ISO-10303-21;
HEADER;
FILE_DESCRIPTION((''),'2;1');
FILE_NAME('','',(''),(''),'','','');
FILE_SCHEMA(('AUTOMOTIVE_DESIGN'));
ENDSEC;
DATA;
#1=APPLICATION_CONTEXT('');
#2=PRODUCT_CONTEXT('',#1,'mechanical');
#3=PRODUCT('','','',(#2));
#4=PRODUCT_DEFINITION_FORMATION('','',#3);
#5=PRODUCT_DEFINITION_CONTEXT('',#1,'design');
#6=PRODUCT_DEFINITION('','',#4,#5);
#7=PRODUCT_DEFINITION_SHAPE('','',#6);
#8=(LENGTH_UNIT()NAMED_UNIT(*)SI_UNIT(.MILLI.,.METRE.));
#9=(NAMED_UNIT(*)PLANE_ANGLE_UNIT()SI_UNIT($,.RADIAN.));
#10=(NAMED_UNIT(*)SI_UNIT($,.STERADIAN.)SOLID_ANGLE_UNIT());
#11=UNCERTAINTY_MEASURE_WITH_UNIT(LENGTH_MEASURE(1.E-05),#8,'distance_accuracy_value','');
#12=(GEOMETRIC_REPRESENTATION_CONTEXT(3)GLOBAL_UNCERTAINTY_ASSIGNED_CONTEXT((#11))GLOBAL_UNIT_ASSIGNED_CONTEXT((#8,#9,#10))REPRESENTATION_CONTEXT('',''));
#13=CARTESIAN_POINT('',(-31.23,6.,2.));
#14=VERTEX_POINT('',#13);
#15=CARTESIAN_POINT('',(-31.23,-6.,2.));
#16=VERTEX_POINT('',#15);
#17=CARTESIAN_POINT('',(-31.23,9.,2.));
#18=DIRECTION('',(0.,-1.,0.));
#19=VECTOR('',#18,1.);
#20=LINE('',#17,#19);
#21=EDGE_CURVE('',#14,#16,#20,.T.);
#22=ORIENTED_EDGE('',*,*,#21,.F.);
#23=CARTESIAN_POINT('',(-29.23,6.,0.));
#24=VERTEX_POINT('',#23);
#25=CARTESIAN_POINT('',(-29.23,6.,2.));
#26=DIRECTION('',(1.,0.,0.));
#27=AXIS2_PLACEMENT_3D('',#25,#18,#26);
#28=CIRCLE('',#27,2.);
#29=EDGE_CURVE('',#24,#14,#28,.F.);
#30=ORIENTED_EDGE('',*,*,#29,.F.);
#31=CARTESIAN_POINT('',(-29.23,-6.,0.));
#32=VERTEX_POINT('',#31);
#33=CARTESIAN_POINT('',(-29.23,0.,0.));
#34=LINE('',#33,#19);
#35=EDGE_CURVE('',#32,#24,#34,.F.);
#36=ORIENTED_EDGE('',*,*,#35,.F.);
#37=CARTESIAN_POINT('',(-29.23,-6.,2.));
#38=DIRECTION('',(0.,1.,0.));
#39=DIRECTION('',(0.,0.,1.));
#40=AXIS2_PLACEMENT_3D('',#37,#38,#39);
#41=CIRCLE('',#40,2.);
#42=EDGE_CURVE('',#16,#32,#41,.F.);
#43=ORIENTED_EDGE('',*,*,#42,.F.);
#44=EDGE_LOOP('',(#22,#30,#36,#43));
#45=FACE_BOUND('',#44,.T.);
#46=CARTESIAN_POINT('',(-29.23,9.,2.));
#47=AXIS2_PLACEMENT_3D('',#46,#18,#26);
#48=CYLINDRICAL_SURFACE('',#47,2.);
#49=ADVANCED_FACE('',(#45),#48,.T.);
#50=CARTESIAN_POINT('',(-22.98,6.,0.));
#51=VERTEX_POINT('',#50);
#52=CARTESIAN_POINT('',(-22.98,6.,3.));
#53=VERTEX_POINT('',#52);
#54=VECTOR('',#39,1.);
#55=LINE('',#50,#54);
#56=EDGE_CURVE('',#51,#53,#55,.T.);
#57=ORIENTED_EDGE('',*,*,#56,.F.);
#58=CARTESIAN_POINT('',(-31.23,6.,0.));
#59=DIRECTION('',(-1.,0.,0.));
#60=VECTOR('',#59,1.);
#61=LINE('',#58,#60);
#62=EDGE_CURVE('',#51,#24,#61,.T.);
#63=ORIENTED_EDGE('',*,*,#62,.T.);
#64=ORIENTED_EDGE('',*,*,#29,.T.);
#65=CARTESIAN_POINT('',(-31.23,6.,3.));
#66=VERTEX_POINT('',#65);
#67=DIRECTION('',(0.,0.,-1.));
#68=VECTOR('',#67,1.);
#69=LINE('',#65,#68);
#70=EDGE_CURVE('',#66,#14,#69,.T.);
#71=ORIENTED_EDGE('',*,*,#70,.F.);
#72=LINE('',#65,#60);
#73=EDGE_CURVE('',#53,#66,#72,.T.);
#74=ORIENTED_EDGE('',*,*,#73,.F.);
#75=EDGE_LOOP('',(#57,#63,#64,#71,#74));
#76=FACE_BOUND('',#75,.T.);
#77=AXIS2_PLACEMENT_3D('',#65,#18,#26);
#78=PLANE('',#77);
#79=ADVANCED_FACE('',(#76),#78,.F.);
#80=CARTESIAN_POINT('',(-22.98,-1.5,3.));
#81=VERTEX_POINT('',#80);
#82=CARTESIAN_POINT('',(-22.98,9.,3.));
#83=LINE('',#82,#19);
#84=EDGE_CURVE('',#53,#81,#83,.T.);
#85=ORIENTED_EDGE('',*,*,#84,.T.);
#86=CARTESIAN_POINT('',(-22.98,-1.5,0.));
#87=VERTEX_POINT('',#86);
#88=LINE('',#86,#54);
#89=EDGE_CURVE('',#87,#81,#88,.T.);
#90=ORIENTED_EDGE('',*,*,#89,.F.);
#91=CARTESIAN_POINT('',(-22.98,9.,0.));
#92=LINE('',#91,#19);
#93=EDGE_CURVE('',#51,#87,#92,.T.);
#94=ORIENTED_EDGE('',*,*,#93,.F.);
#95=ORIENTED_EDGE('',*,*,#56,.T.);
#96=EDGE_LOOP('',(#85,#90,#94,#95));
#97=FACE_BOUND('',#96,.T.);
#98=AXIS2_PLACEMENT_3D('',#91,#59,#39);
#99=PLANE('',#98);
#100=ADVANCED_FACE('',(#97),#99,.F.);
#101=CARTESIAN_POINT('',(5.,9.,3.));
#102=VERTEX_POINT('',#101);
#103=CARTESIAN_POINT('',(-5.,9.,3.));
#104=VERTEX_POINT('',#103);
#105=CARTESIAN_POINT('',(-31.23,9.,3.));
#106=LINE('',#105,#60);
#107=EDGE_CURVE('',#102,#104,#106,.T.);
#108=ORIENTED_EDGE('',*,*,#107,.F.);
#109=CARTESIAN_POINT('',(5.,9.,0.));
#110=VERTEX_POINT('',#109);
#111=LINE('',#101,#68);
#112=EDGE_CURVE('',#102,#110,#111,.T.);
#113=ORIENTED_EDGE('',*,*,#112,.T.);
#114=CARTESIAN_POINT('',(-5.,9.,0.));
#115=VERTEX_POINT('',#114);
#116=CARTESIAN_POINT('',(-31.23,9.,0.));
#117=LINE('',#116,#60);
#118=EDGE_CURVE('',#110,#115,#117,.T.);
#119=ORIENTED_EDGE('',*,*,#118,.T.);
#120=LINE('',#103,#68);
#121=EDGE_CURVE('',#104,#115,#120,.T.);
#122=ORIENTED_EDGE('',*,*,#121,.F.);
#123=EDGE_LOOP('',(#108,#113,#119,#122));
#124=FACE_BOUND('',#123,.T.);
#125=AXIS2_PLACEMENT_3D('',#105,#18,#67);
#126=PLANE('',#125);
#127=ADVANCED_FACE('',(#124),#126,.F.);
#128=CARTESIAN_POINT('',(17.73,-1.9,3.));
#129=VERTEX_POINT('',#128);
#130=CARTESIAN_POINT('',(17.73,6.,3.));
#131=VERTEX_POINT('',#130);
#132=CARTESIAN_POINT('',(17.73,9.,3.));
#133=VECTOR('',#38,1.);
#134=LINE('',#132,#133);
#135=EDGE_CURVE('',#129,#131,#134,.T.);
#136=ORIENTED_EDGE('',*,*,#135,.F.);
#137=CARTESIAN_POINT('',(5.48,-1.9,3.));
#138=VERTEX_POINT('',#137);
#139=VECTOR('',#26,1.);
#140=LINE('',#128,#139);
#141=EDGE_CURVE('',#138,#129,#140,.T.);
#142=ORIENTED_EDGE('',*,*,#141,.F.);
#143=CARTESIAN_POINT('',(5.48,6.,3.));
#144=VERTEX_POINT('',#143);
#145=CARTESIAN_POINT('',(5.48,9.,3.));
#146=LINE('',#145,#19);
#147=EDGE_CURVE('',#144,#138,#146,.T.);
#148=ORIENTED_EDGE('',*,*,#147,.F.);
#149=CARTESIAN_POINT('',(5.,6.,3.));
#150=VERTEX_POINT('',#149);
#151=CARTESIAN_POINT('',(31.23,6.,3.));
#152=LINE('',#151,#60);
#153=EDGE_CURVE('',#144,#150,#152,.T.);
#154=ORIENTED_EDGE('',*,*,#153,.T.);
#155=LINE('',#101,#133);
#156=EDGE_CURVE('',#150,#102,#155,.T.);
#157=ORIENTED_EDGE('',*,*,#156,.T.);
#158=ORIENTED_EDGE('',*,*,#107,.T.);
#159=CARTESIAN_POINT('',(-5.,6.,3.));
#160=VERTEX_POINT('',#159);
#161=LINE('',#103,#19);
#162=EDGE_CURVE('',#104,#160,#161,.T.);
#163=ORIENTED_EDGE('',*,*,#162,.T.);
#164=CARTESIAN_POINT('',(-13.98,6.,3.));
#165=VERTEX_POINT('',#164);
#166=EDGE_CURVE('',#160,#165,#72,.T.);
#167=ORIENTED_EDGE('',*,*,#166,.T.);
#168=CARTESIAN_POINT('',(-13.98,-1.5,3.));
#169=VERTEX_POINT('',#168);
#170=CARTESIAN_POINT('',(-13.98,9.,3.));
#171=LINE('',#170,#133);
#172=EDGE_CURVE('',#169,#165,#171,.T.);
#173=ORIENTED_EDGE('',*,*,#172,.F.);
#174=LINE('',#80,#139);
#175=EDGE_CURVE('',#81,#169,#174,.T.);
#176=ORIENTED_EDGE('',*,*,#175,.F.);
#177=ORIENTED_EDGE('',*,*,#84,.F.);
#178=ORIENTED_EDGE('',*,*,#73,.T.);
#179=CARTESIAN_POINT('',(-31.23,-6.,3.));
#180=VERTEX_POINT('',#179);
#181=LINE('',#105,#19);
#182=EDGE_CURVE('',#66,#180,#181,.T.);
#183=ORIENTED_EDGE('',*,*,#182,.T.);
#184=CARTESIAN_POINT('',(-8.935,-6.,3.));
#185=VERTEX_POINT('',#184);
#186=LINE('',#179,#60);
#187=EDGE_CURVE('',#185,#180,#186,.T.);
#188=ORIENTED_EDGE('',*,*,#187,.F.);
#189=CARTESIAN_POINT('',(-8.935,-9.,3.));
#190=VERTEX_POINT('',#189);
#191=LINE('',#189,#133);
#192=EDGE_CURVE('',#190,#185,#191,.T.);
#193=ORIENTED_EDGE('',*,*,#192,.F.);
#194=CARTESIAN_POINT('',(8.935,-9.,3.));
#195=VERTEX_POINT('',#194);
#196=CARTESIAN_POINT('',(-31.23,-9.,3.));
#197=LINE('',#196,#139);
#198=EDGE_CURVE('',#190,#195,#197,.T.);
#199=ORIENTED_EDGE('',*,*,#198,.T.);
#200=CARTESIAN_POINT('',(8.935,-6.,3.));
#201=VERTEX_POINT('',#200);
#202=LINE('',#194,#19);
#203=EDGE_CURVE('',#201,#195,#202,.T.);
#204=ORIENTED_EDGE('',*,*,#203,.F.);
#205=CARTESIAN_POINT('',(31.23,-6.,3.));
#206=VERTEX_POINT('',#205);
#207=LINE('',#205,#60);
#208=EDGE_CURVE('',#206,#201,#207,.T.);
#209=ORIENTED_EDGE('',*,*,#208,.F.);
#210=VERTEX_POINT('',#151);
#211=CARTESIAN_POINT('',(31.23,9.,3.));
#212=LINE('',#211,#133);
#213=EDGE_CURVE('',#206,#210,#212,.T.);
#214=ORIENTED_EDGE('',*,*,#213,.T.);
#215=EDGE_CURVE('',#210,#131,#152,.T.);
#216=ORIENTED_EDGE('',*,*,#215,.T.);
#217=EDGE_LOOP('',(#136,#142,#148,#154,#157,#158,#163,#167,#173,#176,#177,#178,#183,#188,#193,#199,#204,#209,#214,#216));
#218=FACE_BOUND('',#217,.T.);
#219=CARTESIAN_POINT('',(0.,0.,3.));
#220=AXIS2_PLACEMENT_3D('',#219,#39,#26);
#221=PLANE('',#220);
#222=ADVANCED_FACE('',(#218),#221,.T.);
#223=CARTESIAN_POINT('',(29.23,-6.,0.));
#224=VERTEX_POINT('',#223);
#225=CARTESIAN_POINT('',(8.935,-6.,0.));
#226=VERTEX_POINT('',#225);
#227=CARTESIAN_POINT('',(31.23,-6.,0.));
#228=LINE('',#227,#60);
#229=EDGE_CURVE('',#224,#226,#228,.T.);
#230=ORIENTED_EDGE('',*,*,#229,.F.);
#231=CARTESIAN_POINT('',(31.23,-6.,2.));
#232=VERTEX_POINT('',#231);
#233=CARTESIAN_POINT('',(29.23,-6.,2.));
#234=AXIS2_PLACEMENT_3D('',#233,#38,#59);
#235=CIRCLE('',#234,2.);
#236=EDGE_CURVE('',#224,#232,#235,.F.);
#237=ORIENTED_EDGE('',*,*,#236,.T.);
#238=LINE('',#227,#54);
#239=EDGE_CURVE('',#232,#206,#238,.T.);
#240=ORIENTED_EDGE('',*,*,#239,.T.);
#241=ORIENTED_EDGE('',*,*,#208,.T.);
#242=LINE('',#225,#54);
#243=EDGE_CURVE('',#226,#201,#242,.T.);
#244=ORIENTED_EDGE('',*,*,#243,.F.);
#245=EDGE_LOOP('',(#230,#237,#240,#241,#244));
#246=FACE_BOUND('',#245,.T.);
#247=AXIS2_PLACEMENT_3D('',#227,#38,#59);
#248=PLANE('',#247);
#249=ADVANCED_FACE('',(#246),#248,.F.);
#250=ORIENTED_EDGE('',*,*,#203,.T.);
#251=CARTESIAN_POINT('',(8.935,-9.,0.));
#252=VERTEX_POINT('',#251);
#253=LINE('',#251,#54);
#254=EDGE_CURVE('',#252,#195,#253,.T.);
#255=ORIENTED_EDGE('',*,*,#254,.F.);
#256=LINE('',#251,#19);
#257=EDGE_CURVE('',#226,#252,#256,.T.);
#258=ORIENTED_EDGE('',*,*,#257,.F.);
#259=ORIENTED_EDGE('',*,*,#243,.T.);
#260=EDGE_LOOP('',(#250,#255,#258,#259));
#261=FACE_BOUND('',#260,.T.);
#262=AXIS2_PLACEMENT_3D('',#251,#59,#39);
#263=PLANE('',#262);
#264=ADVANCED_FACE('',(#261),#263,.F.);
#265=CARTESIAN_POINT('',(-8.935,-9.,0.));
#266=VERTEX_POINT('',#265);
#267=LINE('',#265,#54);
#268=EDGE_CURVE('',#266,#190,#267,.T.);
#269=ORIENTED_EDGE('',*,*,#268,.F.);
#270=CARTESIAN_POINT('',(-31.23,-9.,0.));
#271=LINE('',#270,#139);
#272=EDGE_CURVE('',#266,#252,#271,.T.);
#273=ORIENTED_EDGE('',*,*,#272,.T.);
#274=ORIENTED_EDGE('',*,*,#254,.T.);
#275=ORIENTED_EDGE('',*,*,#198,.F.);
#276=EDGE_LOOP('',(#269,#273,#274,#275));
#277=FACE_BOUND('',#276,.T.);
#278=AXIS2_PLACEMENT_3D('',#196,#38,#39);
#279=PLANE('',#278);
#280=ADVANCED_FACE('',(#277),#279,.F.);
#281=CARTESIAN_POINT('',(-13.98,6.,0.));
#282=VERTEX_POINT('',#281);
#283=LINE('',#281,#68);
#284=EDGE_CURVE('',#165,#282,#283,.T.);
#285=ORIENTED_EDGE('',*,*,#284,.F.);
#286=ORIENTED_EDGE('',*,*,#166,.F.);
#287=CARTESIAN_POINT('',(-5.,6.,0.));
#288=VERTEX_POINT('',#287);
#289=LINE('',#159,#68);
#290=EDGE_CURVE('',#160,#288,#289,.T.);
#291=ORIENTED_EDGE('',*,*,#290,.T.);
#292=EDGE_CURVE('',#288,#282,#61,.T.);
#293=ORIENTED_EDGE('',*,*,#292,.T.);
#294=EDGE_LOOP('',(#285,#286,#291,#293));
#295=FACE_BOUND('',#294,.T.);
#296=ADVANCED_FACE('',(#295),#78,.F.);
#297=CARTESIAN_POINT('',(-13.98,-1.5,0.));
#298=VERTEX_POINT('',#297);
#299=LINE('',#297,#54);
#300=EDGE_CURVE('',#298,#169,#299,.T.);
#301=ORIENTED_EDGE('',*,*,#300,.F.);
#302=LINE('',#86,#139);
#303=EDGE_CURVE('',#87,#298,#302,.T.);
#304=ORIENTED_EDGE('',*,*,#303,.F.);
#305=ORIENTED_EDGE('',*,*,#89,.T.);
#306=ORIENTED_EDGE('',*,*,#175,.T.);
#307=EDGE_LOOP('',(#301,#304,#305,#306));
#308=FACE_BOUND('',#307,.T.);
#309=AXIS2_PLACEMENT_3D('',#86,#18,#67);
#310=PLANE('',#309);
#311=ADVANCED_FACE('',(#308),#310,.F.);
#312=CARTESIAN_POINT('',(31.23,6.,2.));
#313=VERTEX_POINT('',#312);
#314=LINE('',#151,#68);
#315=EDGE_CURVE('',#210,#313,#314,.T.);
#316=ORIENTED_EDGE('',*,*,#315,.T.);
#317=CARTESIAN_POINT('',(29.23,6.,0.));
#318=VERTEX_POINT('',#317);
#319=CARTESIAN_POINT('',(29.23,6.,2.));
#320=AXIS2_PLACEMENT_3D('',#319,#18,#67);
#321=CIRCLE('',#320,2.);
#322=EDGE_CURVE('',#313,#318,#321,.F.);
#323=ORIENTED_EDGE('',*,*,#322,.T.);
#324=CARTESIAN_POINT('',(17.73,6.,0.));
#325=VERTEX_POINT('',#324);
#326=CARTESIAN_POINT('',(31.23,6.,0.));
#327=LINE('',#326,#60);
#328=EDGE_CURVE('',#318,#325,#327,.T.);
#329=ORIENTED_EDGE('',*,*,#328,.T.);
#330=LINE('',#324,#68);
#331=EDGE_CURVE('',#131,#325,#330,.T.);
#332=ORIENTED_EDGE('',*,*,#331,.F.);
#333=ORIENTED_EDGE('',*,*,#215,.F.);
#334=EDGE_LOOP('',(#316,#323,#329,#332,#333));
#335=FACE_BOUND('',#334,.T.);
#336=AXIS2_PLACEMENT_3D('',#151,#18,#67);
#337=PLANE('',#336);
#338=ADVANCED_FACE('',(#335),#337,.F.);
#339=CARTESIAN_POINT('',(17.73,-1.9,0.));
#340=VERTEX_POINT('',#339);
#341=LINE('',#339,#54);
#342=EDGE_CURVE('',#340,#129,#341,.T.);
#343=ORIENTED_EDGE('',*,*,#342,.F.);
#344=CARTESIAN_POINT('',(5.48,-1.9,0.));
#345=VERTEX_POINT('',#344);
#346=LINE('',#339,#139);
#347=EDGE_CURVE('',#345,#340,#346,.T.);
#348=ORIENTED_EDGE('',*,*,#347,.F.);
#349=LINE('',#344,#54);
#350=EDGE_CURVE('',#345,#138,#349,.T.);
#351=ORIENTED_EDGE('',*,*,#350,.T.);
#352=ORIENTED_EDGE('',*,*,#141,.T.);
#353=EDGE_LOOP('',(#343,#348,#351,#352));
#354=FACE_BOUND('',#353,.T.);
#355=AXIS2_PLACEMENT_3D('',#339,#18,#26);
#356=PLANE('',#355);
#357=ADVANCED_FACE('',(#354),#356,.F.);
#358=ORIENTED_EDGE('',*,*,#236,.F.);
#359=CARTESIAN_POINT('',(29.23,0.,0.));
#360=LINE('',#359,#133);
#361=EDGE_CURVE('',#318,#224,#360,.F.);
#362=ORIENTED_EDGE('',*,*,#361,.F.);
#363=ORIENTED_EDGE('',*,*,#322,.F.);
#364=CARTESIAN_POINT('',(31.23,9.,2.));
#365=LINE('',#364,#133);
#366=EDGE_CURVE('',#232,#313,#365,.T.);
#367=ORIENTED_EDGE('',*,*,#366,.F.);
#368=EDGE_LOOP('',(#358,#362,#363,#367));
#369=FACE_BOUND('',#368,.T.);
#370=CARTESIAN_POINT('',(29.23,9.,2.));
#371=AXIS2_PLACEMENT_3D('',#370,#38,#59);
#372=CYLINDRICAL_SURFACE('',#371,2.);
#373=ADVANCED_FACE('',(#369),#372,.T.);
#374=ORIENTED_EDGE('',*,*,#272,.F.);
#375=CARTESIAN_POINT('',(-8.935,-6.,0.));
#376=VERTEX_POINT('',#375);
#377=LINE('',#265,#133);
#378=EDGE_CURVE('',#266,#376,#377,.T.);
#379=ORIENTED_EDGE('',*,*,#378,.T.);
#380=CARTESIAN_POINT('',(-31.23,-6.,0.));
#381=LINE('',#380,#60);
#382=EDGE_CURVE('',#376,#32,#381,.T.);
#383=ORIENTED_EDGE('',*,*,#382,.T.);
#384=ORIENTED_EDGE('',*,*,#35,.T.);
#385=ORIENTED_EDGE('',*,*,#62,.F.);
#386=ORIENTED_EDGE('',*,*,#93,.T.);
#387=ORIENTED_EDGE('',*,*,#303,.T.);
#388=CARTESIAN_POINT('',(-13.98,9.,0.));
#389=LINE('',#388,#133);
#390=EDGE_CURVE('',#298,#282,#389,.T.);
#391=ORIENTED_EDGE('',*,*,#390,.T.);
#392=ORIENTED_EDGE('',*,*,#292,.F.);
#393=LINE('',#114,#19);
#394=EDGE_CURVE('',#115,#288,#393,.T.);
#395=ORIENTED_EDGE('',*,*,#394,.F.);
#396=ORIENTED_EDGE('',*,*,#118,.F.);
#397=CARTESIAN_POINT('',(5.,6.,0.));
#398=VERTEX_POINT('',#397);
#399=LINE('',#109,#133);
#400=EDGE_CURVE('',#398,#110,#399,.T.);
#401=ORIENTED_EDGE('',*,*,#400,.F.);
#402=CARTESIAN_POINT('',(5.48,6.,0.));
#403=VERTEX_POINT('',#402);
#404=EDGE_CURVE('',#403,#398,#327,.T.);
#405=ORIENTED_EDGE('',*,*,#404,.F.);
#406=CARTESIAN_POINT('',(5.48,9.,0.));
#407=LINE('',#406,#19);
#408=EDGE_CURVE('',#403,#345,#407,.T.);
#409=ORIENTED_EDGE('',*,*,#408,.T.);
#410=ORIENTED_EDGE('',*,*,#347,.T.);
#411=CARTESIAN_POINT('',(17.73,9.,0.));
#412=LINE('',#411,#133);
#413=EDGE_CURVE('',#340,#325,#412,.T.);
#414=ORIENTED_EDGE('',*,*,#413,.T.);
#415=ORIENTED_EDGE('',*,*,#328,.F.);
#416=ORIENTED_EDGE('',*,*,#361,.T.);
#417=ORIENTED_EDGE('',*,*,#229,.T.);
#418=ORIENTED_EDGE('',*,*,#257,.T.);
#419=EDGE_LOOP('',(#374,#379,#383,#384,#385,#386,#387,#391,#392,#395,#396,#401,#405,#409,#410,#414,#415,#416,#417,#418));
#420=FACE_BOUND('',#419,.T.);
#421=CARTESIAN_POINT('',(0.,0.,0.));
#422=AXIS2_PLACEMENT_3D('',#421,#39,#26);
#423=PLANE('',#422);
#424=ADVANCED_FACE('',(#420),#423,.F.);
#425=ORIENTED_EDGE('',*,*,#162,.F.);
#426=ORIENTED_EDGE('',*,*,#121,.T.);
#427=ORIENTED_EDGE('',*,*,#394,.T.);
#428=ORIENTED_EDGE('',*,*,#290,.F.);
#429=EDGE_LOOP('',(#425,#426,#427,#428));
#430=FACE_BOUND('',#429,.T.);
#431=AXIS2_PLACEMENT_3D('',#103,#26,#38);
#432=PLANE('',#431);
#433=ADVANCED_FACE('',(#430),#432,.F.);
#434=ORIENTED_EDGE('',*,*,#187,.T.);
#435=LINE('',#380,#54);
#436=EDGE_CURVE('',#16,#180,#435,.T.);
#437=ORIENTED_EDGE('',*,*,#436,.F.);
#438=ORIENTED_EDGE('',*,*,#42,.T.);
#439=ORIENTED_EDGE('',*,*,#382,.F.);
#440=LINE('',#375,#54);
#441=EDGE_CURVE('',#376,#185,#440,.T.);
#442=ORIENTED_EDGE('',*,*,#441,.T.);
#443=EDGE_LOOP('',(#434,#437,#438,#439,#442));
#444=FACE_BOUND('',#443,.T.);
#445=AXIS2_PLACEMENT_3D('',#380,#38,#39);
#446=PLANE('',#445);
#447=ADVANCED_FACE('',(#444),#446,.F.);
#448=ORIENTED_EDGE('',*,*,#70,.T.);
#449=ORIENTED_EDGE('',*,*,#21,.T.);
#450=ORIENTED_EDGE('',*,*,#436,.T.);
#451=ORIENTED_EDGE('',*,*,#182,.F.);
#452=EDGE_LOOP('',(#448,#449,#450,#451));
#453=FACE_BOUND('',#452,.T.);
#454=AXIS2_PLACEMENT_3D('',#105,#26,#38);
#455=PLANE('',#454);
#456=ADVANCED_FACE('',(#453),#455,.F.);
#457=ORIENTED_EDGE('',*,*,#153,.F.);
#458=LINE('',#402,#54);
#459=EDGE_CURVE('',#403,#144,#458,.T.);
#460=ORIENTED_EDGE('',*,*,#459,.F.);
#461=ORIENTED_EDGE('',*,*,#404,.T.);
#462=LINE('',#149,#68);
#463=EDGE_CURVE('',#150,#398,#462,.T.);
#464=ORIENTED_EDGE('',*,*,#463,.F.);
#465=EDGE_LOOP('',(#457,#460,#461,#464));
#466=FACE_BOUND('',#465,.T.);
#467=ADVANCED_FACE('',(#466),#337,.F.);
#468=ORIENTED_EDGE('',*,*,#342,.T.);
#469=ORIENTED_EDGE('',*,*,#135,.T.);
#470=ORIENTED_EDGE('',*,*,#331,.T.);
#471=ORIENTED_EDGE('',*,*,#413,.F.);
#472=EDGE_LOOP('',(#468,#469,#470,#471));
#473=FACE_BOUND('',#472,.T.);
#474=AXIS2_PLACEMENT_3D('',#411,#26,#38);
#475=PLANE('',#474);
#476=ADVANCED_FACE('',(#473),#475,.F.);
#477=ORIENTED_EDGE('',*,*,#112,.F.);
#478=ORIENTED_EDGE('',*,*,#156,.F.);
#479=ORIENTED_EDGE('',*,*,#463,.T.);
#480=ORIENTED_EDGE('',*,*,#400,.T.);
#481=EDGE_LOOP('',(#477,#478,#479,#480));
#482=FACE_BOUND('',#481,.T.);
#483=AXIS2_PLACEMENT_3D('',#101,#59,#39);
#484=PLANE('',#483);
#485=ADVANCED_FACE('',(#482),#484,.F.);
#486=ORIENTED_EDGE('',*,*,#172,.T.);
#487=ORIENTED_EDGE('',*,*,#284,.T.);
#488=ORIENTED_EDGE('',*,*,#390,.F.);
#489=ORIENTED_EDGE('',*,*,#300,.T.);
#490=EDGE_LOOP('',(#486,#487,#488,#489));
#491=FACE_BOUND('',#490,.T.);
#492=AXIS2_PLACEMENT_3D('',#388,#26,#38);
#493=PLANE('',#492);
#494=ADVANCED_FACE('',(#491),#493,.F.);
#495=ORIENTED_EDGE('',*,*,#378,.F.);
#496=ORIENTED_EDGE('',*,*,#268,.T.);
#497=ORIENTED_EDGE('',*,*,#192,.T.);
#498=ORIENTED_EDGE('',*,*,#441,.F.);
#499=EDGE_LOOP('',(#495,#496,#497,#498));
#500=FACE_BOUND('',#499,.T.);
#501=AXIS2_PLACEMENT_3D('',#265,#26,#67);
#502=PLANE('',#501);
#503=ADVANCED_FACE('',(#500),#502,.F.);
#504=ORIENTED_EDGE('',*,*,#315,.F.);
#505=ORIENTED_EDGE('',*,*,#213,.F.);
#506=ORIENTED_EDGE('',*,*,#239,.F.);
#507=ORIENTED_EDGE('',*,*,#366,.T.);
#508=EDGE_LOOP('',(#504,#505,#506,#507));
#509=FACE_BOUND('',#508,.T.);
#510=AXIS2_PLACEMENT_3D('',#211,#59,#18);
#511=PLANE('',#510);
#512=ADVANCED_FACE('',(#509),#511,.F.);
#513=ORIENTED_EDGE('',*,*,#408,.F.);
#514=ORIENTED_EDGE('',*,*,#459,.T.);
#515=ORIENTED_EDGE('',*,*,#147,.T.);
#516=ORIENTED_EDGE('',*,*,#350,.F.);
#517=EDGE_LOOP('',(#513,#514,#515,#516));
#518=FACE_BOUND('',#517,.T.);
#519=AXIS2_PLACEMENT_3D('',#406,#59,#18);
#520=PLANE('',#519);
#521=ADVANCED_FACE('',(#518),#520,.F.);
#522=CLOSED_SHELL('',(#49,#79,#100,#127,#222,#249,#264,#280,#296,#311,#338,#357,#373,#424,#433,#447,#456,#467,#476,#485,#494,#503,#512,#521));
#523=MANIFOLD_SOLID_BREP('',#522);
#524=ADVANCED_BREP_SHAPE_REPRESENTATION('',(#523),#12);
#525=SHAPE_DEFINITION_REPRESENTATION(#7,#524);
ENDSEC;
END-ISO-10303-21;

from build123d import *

# Parameters (mm, degrees)
SKETCH1_W           = 62.46
SKETCH1_H           = 18
BOSS_EXTRUDE1_DEPTH = 3
SKETCH2_W           = 22.295
SKETCH2_H           = 3
CUT_EXTRUDE1_DEPTH  = 3
SKETCH3_W           = 12.25
SKETCH3_H           = 10.9
SKETCH3_W_2         = 9
SKETCH3_H_2         = 10.5
CUT_EXTRUDE2_DEPTH  = 3
SKETCH5_W           = 26.23
SKETCH5_H           = 3
CUT_EXTRUDE3_DEPTH  = 3
FILLET1_R           = 2
FILLET2_R           = 2


with BuildPart() as part:
    # Sketch1 → Boss-Extrude1 (new body)
    with BuildSketch(Plane.XY):
        Rectangle(SKETCH1_W, SKETCH1_H)
    extrude(amount=BOSS_EXTRUDE1_DEPTH)

    # Sketch2 → Cut-Extrude1 (cut)
    with BuildSketch(Plane.XY.offset(3)):
        with Locations((20.0825, -7.5)):
            Rectangle(SKETCH2_W, SKETCH2_H)
        with Locations((-20.0825, -7.5)):
            Rectangle(SKETCH2_W, SKETCH2_H)
    extrude(amount=-CUT_EXTRUDE1_DEPTH, mode=Mode.SUBTRACT)

    # Sketch3 → Cut-Extrude2 (cut)
    with BuildSketch(Plane.XY.offset(3)):
        with Locations((11.605, 3.55)):
            Rectangle(SKETCH3_W, SKETCH3_H)
        with Locations((-18.48, 3.75)):
            Rectangle(SKETCH3_W_2, SKETCH3_H_2)
    extrude(amount=-CUT_EXTRUDE2_DEPTH, mode=Mode.SUBTRACT)

    # Sketch5 → Cut-Extrude3 (cut)
    with BuildSketch(Plane(origin=(0, 0, 0), x_dir=(-1, 0, 0), z_dir=(0, 0, -1))):
        with Locations((18.115, 7.5)):
            Rectangle(SKETCH5_W, SKETCH5_H)
        with Locations((-18.115, 7.5)):
            Rectangle(SKETCH5_W, SKETCH5_H)
    extrude(amount=-CUT_EXTRUDE3_DEPTH, mode=Mode.SUBTRACT)

    # Fillet1
    fillet1_edges = [part.edges().sort_by_distance(p)[0] for p in [
        (-31.23, 0, 0),
    ]]
    fillet(fillet1_edges, radius=FILLET1_R)

    # Fillet2
    fillet2_edges = [part.edges().sort_by_distance(p)[0] for p in [
        (31.23, 0, 0),
    ]]
    fillet(fillet2_edges, radius=FILLET2_R)


solid = part.part
